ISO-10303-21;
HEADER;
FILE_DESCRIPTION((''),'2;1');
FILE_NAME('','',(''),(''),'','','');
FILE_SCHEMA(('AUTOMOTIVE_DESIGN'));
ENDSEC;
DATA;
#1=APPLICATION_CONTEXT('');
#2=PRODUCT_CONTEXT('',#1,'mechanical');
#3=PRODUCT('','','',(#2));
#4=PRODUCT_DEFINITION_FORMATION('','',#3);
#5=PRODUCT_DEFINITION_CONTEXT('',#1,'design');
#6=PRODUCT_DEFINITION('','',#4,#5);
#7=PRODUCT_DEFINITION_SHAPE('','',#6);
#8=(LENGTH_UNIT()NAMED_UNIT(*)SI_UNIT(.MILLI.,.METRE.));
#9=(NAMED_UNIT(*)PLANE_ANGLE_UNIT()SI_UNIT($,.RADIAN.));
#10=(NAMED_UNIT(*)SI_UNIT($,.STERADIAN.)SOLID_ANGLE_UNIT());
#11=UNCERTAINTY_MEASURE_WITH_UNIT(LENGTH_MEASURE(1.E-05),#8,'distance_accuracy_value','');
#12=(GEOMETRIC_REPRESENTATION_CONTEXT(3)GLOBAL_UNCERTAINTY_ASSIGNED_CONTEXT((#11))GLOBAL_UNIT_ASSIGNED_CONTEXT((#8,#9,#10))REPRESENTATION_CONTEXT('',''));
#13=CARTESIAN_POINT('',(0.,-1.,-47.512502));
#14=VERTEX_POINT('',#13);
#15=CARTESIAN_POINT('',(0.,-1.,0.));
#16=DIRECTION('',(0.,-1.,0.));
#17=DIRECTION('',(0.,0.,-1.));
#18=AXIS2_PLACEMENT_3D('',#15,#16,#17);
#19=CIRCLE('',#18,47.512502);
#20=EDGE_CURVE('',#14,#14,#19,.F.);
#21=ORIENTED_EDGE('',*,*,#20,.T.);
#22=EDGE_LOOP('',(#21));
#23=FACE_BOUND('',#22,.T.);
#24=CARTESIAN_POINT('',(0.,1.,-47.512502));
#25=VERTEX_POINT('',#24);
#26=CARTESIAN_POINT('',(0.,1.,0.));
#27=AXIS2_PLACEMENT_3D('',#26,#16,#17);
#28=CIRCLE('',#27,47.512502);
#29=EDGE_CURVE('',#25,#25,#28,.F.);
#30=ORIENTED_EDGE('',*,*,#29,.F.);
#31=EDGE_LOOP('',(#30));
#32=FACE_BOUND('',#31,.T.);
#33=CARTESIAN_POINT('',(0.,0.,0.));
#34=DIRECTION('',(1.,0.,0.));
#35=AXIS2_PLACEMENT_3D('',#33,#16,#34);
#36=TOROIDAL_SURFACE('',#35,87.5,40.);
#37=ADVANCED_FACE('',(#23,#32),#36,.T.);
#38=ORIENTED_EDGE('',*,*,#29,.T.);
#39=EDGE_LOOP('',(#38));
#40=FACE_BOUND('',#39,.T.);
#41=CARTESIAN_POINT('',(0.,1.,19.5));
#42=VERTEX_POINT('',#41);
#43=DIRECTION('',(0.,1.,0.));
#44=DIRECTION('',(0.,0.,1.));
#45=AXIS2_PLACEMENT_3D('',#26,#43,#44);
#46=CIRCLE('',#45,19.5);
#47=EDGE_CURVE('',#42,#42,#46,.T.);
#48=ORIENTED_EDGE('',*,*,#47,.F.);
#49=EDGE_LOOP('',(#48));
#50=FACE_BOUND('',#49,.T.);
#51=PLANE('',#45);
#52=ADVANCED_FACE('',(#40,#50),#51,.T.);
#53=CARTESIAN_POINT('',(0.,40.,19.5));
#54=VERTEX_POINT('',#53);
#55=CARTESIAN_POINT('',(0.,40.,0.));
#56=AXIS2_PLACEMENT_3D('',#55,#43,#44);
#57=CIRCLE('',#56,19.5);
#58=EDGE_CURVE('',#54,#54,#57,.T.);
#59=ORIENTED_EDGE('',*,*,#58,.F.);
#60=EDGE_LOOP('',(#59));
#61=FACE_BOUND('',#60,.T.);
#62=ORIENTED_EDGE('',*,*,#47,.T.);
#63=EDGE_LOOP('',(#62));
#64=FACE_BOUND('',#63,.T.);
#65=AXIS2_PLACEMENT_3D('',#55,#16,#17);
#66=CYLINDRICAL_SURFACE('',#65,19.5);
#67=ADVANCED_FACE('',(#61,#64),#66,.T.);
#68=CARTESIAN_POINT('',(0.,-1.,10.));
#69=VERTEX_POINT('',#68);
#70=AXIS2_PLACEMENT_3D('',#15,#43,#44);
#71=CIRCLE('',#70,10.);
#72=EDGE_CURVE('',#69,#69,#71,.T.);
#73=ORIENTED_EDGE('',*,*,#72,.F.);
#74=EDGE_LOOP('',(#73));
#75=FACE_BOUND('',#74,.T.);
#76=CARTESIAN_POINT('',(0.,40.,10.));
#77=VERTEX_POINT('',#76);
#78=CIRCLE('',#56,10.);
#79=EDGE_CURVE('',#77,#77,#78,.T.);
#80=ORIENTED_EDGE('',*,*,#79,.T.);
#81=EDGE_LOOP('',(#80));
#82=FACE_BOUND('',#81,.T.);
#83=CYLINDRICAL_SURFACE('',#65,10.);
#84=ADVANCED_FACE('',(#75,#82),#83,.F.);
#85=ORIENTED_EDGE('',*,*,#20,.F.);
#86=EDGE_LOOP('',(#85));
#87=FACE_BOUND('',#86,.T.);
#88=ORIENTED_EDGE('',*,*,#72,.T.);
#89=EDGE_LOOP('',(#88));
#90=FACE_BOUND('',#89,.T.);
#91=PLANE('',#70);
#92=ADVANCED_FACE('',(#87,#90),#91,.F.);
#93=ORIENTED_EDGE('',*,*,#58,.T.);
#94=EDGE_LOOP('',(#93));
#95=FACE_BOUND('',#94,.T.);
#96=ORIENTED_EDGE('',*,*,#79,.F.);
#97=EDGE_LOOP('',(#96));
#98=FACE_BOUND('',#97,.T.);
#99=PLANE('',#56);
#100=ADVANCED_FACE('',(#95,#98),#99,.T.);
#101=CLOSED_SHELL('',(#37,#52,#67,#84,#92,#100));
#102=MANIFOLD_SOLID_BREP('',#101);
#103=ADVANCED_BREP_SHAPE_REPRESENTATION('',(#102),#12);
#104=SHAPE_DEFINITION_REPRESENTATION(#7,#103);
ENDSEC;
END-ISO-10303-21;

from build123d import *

# Parameters (mm, degrees)
SKETCH1_R           = 40
SKETCH3_R           = 82.354581533
BOSS_EXTRUDE1_DEPTH = 1
SKETCH4_R           = 19.5
SKETCH4_R_2         = 10
BOSS_EXTRUDE2_DEPTH = 39
SKETCH5_R           = 10
CUT_EXTRUDE1_DEPTH  = 42.0000001


with BuildPart() as part:
    # Sketch1 → Revolve1 (revolve)
    with BuildSketch(Plane.XY):
        with Locations((87.5, 0)):
            Circle(SKETCH1_R)
    revolve(axis=Axis((0, -1000, 0), (0, 1, 0)))

    # Sketch3 → Boss-Extrude1 (add, symmetric)
    with BuildSketch(Plane(origin=(0, 0, 0), x_dir=(1, 0, 0), z_dir=(0, 1, 0))):
        Circle(SKETCH3_R)
    extrude(amount=BOSS_EXTRUDE1_DEPTH, both=True)

    # Sketch4 → Boss-Extrude2 (add)
    with BuildSketch(Plane(origin=(0, 1, 0), x_dir=(1, 0, 0), z_dir=(0, 1, 0))):
        with Locations(Location((0, 0, 0), (0, 0, 270))):  # turned: the seam where the file's is
            Circle(SKETCH4_R)
        with Locations(Location((0, 0, 0), (0, 0, 270))):  # turned: the seam where the file's is
            Circle(SKETCH4_R_2, mode=Mode.SUBTRACT)
    extrude(amount=BOSS_EXTRUDE2_DEPTH)

    # Sketch5 → Cut-Extrude1 (cut, through all)
    with BuildSketch(Plane(origin=(0, 1, 0), x_dir=(1, 0, 0), z_dir=(0, 1, 0))):
        with Locations(Location((0, 0, 0), (0, 0, 270))):  # turned: the seam where the file's is
            Circle(SKETCH5_R)
    extrude(amount=-CUT_EXTRUDE1_DEPTH, mode=Mode.SUBTRACT)


solid = part.part
